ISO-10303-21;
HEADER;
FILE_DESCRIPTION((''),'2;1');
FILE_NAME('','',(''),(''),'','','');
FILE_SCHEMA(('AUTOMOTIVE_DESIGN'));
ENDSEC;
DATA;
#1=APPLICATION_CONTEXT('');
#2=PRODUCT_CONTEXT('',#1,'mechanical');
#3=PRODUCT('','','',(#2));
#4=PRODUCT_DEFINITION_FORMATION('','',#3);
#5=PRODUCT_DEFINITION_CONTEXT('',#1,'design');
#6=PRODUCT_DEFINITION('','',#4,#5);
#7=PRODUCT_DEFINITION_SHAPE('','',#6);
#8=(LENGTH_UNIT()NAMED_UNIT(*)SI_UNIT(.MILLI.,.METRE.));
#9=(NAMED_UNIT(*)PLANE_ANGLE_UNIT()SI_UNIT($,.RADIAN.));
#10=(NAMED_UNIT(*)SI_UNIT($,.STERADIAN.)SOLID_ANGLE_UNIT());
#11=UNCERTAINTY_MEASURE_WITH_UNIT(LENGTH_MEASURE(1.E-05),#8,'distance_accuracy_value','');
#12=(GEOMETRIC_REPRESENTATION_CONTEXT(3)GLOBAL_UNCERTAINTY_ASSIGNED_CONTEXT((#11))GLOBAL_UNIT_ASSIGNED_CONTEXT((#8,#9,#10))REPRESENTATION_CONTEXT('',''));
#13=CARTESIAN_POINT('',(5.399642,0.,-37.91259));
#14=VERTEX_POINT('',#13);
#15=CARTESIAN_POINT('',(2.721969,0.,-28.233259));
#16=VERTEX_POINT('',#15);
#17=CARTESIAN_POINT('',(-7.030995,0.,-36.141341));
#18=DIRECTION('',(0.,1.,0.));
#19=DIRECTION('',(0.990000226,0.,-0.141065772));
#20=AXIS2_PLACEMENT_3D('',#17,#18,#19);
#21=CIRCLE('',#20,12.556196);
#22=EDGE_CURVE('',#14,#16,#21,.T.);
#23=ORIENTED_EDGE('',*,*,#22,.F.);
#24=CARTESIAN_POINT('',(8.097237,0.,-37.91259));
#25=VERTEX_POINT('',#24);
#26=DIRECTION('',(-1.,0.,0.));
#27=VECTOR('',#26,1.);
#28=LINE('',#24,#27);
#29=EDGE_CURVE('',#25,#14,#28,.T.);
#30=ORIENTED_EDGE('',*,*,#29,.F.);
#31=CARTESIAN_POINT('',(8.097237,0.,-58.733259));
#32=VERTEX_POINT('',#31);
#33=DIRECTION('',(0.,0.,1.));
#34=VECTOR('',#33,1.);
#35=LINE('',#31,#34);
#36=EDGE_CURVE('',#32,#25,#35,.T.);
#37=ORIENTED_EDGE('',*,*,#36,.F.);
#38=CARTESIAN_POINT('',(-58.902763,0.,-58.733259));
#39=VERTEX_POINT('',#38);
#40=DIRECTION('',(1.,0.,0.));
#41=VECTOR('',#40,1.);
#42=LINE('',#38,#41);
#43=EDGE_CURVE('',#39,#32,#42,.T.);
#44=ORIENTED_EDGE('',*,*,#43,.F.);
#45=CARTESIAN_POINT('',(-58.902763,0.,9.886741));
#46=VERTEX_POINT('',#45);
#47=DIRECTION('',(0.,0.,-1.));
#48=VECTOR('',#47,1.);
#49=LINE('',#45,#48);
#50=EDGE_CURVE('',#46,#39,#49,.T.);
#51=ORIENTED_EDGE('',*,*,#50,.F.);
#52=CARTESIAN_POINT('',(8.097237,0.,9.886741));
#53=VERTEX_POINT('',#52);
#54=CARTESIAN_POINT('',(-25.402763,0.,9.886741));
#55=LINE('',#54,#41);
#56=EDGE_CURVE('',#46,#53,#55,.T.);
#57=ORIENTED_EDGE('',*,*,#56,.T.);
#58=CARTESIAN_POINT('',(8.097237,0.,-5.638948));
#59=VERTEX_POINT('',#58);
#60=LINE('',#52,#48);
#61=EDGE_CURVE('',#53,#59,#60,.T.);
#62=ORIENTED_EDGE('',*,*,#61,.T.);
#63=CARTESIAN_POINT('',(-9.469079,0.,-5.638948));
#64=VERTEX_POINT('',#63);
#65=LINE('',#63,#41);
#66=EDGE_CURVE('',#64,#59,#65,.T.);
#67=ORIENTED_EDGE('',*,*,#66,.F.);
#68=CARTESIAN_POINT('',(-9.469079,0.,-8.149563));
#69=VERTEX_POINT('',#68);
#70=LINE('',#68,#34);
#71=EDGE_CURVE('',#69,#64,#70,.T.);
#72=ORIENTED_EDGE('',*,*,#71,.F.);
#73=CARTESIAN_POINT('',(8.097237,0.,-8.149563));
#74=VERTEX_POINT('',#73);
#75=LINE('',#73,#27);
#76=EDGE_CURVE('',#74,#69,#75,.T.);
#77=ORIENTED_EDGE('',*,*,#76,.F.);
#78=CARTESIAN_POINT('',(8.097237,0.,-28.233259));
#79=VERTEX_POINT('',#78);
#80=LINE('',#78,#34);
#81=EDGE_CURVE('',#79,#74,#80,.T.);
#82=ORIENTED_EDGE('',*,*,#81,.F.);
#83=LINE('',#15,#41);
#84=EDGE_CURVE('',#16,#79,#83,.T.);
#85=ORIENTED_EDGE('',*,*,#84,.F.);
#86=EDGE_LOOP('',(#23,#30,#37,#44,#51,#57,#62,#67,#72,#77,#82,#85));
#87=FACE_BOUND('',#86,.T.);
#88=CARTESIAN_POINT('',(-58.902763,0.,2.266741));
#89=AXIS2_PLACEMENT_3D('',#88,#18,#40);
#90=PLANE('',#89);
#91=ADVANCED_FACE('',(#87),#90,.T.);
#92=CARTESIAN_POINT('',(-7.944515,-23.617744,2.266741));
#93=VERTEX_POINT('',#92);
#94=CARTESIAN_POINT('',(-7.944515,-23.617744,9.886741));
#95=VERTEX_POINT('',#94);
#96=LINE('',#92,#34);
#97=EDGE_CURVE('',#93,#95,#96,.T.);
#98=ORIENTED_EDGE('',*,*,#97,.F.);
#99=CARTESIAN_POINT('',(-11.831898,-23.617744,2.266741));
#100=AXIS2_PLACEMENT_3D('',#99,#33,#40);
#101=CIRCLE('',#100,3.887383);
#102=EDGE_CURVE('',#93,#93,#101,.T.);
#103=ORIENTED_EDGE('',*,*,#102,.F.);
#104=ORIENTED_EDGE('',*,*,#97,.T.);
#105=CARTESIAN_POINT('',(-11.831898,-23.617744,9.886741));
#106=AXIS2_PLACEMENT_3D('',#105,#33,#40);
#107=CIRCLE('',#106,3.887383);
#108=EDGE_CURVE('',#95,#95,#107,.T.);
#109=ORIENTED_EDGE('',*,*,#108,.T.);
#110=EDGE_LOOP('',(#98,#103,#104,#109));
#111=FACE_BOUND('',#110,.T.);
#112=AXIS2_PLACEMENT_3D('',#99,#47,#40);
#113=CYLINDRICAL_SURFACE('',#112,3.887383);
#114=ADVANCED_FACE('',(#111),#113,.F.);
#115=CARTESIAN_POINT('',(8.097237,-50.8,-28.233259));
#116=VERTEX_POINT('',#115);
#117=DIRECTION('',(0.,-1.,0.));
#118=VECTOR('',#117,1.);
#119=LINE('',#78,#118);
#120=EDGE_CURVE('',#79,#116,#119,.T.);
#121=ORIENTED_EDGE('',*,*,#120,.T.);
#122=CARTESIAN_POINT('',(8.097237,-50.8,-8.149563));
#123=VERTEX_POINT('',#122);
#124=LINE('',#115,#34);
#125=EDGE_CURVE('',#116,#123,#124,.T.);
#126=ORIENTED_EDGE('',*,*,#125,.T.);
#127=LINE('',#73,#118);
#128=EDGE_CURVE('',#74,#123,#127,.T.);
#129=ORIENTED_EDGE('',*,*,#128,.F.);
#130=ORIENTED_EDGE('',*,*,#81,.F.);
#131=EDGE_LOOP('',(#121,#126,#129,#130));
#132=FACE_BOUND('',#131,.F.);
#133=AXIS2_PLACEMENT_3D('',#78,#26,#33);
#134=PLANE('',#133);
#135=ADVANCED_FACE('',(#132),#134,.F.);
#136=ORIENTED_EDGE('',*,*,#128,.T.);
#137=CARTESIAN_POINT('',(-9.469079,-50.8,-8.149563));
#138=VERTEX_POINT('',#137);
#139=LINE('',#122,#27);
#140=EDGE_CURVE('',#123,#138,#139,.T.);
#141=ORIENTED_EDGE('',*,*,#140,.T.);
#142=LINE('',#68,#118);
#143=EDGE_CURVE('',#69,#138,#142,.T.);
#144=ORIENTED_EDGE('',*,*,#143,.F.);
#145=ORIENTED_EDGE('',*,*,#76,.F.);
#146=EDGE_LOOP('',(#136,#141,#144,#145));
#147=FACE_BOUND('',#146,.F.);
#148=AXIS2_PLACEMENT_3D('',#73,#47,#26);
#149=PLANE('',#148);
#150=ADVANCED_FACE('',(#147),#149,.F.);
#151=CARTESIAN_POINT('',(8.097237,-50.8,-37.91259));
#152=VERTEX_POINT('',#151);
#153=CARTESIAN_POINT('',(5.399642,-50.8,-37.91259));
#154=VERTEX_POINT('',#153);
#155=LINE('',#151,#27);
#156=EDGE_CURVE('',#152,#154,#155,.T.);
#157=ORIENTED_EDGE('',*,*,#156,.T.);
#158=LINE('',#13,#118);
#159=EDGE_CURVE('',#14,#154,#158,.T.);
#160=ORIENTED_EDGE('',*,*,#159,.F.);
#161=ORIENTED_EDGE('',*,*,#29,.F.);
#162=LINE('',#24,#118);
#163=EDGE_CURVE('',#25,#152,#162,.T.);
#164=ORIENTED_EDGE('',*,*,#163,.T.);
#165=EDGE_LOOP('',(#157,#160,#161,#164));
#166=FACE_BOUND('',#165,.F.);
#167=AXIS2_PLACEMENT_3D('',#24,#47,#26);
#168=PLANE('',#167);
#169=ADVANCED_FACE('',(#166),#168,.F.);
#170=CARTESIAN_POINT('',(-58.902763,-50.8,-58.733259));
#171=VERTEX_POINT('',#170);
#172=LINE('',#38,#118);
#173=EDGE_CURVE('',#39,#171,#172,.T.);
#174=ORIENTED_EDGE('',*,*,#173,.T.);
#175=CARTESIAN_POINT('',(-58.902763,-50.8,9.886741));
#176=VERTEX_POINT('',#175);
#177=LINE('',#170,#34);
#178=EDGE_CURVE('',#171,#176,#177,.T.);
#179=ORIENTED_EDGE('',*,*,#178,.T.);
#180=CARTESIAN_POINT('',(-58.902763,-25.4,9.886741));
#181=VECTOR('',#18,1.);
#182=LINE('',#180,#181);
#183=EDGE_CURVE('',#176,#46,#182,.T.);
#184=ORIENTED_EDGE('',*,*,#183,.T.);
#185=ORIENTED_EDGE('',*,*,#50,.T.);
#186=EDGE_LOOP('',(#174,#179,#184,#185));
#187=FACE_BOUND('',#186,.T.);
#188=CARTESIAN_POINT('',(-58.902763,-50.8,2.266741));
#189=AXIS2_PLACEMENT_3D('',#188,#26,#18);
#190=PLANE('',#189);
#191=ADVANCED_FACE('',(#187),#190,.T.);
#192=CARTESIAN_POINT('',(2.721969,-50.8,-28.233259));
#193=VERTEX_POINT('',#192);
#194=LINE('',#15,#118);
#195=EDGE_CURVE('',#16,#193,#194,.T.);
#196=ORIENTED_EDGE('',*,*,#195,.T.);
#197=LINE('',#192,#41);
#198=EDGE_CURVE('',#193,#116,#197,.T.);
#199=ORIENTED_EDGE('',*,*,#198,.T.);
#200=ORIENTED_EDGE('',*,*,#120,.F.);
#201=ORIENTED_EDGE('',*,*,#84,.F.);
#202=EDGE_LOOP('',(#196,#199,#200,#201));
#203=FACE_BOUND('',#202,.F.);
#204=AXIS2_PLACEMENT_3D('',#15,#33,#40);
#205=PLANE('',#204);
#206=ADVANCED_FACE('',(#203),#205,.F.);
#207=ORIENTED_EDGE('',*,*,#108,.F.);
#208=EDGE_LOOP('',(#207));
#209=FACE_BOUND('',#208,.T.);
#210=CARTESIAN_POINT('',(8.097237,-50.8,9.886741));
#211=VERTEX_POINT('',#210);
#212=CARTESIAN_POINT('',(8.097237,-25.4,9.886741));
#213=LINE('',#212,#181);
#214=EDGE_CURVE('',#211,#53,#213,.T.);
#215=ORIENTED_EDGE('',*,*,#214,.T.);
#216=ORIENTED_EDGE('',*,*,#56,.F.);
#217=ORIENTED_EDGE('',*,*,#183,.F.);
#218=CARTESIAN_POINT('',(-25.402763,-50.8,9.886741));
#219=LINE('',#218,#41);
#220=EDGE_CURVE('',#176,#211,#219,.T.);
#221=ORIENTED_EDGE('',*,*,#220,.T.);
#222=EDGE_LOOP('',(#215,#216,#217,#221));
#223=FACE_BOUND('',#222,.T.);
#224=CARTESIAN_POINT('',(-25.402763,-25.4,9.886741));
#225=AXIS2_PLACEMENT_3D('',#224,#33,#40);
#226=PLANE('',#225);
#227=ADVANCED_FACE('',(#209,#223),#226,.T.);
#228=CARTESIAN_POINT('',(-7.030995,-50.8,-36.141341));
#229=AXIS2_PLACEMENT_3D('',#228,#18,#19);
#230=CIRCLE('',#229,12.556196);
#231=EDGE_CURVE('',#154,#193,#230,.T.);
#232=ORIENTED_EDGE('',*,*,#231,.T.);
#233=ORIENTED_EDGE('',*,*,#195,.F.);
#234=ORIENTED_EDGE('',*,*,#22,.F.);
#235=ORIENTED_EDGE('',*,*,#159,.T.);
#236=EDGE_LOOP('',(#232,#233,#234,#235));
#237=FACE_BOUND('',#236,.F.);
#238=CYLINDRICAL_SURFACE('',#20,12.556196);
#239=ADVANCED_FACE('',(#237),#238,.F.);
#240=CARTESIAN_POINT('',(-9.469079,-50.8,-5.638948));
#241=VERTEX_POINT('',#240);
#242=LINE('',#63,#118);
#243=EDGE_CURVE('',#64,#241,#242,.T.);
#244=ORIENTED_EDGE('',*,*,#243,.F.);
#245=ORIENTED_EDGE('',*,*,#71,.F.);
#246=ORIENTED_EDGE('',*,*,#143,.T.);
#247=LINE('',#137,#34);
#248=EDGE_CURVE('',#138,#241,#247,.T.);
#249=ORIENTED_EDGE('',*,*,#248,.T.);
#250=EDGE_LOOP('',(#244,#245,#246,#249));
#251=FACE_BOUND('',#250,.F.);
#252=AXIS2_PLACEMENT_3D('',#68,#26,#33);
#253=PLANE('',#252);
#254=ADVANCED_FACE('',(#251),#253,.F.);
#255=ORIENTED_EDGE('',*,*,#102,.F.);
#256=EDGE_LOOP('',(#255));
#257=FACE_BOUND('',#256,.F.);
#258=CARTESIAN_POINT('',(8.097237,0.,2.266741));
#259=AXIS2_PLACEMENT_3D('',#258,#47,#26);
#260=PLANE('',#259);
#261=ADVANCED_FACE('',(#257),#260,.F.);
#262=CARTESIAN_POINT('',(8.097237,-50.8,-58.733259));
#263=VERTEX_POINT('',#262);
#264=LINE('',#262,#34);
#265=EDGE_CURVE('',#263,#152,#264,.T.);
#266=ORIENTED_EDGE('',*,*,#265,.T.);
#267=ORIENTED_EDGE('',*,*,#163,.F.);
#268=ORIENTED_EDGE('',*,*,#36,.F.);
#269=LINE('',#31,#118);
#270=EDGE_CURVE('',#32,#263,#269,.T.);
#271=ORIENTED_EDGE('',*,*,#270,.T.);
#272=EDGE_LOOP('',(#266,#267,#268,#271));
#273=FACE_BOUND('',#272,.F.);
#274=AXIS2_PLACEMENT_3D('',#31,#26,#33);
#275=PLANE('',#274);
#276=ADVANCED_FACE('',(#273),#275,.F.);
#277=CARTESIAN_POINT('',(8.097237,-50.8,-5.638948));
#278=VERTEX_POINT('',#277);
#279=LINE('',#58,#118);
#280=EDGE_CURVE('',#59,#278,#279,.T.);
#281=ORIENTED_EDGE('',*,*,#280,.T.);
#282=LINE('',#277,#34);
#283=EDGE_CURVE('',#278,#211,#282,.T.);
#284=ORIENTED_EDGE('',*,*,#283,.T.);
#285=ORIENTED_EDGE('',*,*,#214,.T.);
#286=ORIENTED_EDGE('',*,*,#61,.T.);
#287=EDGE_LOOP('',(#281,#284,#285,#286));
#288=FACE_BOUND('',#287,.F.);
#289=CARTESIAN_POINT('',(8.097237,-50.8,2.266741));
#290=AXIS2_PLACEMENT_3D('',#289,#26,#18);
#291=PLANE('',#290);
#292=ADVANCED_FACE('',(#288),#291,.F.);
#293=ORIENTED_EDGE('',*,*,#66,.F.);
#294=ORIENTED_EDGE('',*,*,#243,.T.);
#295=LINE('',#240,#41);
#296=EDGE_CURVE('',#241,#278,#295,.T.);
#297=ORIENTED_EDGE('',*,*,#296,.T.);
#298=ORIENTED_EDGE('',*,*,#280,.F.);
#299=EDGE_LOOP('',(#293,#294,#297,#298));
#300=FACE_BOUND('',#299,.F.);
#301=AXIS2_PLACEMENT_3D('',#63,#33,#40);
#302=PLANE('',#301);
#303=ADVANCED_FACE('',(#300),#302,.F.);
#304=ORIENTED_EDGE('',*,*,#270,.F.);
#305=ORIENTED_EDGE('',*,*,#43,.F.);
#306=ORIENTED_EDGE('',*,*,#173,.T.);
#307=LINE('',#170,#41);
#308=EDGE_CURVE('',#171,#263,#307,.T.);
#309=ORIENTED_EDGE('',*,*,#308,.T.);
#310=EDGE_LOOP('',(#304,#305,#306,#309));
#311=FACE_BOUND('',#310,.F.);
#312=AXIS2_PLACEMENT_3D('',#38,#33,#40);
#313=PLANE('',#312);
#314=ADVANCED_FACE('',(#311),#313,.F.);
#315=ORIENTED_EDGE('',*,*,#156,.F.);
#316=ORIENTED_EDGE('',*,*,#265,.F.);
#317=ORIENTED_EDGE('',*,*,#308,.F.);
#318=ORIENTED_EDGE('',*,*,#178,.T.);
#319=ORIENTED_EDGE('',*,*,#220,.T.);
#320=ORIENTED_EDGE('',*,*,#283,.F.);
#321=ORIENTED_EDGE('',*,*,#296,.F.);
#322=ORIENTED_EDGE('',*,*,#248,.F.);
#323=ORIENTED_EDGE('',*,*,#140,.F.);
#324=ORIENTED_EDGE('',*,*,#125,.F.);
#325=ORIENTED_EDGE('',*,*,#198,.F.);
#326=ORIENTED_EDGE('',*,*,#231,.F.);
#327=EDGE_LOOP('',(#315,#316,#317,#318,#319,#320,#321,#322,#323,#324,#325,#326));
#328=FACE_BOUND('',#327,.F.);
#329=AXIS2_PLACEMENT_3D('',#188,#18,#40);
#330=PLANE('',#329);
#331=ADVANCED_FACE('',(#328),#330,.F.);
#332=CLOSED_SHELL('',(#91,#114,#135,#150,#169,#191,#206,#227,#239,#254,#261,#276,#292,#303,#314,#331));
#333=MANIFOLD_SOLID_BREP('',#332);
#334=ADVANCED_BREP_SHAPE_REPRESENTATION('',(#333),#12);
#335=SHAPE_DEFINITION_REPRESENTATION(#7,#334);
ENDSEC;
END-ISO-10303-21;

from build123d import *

# Parameters (mm, degrees)
F1_DEPTH = 50.8
F2_W     = 67
F2_H     = 50.8
F2_R     = 3.887383
F3_DEPTH = 7.62


with BuildPart() as f1:
    # F0 (on Front) → F1 (new body)
    with BuildSketch(Plane.XZ):
        with BuildLine():
            Line((8.097237, 2.266741), (-58.902763, 2.266741))
            Line((-58.902763, 2.266741), (-58.902763, -58.733259))
            Line((-58.902763, -58.733259), (8.097237, -58.733259))
            Line((8.097237, -58.733259), (8.097237, -37.91259))
            Line((8.097237, -37.91259), (5.399642, -37.91259))
            ThreePointArc((5.399642, -37.91259), (-19.132664, -39.489125), (2.721969, -28.233259))
            Line((2.721969, -28.233259), (8.097237, -28.233259))
            Line((8.097237, -28.233259), (8.097237, -8.149563))
            Line((8.097237, -8.149563), (-9.469079, -8.149563))
            Line((-9.469079, -8.149563), (-9.469079, -5.638948))
            Line((-9.469079, -5.638948), (8.097237, -5.638948))
            Line((8.097237, -5.638948), (8.097237, 2.266741))
        make_face()
    extrude(amount=F1_DEPTH)

    # F2 (on face) → F3 (join)
    with BuildSketch(Plane.XY.offset(2.266741)):
        with Locations((-25.402763, -25.4)):
            Rectangle(F2_W, F2_H)
        with Locations((-11.831898, -23.617744)):
            Circle(F2_R, mode=Mode.SUBTRACT)
    extrude(amount=F3_DEPTH)


solid = f1.part
